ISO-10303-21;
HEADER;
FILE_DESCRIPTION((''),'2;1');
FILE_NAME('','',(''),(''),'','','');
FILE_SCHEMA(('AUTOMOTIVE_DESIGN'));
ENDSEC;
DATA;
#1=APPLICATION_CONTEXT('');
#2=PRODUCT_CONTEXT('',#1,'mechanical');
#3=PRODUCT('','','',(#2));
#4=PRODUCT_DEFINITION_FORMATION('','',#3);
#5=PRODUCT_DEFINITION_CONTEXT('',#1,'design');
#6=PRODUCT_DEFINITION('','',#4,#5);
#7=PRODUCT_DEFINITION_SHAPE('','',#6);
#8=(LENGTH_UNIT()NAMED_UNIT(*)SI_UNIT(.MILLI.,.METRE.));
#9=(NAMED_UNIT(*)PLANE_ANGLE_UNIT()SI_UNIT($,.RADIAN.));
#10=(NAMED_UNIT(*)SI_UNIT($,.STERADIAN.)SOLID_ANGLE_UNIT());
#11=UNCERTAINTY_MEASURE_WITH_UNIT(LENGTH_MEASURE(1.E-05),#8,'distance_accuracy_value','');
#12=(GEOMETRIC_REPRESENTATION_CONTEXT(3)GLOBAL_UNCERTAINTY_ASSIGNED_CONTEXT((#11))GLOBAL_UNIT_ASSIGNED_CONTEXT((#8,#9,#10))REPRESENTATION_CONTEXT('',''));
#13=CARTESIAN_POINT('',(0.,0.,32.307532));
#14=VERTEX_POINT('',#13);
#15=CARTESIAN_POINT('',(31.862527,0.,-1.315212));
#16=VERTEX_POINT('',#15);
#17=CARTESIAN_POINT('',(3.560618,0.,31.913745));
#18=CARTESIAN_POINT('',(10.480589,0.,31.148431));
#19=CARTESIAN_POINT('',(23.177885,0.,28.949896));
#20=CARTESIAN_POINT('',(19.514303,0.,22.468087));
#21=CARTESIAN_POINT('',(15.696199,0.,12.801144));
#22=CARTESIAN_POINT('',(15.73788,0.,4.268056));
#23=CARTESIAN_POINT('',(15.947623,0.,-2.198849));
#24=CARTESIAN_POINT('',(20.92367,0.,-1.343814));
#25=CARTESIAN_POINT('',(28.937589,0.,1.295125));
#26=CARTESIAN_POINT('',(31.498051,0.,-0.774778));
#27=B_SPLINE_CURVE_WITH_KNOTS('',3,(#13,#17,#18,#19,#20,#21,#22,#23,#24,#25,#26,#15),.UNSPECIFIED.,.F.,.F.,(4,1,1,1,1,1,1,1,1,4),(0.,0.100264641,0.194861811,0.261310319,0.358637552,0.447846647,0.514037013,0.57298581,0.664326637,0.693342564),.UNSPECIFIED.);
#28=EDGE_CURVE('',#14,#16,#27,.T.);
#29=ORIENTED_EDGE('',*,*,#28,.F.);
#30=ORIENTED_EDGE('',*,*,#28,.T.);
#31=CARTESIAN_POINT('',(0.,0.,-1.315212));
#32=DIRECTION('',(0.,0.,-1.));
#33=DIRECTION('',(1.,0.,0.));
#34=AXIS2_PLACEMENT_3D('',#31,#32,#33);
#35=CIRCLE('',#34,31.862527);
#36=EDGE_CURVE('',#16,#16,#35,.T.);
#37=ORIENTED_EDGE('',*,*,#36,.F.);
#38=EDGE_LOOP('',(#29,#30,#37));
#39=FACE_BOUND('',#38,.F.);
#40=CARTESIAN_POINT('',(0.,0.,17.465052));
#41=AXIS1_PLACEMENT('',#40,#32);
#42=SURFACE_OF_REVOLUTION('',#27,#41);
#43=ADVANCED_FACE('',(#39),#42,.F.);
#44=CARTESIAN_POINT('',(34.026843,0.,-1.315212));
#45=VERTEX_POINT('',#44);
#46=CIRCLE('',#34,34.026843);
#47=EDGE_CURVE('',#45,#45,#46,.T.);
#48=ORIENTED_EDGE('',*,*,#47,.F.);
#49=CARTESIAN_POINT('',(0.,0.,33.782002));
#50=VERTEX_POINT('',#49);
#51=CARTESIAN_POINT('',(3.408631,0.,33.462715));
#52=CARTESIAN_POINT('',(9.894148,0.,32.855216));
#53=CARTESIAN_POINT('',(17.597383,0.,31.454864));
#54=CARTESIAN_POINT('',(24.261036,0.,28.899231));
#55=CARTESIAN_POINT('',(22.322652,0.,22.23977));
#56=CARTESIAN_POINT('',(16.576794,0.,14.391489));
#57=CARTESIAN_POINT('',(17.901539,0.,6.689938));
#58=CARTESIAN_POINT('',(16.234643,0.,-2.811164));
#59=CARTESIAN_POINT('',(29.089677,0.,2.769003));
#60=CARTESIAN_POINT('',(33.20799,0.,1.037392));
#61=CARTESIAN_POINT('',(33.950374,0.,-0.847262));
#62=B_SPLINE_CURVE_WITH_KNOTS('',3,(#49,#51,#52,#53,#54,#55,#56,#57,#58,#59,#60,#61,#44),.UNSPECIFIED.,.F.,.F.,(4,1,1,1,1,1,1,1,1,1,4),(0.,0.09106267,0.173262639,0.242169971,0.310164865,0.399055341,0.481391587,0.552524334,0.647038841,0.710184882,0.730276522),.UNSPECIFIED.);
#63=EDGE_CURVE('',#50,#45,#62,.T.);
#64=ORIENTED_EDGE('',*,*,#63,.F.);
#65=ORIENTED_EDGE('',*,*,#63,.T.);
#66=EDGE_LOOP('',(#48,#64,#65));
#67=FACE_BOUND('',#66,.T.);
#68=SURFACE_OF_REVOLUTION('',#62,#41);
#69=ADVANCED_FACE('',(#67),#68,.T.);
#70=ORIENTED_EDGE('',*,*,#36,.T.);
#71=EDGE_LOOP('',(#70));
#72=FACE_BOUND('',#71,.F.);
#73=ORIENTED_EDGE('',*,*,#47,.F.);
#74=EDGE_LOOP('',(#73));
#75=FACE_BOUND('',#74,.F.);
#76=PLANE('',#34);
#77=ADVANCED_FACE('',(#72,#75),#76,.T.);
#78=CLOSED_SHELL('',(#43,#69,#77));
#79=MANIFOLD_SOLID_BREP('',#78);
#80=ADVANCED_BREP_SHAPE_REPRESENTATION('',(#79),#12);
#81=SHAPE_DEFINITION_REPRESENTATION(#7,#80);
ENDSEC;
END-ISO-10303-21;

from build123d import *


with BuildPart() as f1:
    # F0 (on Front) → F1 (revolve)
    with BuildSketch(Plane.XZ):
        with BuildLine():
            add(Edge.make_bspline(
                [(0, 33.7820015848), (3.4086314853, 33.4627148785), (9.8941483998, 32.855216138), (17.5973828724, 31.4548644098), (24.2610361626, 28.8992314288), (22.3226515118, 22.2397696693), (16.5767939408, 14.3914892977), (17.9015392983, 6.6899382068), (16.2346434677, -2.8111642816), (29.0896765472, 2.7690029417), (33.2079896587, 1.0373920908), (33.9503740265, -0.8472622605), (34.0268434817, -1.3152115634)],
                knots=[0, 0, 0, 0, 0.0910626701, 0.1732626393, 0.2421699715, 0.3101648648, 0.3990553412, 0.4813915873, 0.5525243338, 0.6470388407, 0.7101848824, 0.7302765219, 0.7302765219, 0.7302765219, 0.7302765219], degree=3))
            Line((0, 33.7820015848), (0, 32.3075316846))
            add(Edge.make_bspline(
                [(0, 32.3075316846), (3.5606179445, 31.9137450285), (10.4805894452, 31.1484305577), (23.1778845852, 28.9498963689), (19.5143032146, 22.4680865981), (15.6961989727, 12.8011444218), (15.7378798162, 4.2680562549), (15.9476233217, -2.1988492231), (20.9236702437, -1.3438136207), (28.9375890675, 1.295124828), (31.4980507795, -0.7747782015), (31.8625269372, -1.3152115634)],
                knots=[0, 0, 0, 0, 0.1002646413, 0.1948618108, 0.2613103194, 0.3586375524, 0.4478466472, 0.5140370133, 0.5729858097, 0.664326637, 0.6933425642, 0.6933425642, 0.6933425642, 0.6933425642], degree=3))
            Line((31.8625269372, -1.3152115634), (34.0268434817, -1.3152115634))
        make_face()
    revolve(axis=Axis((0, 0, 17.4650524277), (0, 0, -1)))


solid = f1.part
